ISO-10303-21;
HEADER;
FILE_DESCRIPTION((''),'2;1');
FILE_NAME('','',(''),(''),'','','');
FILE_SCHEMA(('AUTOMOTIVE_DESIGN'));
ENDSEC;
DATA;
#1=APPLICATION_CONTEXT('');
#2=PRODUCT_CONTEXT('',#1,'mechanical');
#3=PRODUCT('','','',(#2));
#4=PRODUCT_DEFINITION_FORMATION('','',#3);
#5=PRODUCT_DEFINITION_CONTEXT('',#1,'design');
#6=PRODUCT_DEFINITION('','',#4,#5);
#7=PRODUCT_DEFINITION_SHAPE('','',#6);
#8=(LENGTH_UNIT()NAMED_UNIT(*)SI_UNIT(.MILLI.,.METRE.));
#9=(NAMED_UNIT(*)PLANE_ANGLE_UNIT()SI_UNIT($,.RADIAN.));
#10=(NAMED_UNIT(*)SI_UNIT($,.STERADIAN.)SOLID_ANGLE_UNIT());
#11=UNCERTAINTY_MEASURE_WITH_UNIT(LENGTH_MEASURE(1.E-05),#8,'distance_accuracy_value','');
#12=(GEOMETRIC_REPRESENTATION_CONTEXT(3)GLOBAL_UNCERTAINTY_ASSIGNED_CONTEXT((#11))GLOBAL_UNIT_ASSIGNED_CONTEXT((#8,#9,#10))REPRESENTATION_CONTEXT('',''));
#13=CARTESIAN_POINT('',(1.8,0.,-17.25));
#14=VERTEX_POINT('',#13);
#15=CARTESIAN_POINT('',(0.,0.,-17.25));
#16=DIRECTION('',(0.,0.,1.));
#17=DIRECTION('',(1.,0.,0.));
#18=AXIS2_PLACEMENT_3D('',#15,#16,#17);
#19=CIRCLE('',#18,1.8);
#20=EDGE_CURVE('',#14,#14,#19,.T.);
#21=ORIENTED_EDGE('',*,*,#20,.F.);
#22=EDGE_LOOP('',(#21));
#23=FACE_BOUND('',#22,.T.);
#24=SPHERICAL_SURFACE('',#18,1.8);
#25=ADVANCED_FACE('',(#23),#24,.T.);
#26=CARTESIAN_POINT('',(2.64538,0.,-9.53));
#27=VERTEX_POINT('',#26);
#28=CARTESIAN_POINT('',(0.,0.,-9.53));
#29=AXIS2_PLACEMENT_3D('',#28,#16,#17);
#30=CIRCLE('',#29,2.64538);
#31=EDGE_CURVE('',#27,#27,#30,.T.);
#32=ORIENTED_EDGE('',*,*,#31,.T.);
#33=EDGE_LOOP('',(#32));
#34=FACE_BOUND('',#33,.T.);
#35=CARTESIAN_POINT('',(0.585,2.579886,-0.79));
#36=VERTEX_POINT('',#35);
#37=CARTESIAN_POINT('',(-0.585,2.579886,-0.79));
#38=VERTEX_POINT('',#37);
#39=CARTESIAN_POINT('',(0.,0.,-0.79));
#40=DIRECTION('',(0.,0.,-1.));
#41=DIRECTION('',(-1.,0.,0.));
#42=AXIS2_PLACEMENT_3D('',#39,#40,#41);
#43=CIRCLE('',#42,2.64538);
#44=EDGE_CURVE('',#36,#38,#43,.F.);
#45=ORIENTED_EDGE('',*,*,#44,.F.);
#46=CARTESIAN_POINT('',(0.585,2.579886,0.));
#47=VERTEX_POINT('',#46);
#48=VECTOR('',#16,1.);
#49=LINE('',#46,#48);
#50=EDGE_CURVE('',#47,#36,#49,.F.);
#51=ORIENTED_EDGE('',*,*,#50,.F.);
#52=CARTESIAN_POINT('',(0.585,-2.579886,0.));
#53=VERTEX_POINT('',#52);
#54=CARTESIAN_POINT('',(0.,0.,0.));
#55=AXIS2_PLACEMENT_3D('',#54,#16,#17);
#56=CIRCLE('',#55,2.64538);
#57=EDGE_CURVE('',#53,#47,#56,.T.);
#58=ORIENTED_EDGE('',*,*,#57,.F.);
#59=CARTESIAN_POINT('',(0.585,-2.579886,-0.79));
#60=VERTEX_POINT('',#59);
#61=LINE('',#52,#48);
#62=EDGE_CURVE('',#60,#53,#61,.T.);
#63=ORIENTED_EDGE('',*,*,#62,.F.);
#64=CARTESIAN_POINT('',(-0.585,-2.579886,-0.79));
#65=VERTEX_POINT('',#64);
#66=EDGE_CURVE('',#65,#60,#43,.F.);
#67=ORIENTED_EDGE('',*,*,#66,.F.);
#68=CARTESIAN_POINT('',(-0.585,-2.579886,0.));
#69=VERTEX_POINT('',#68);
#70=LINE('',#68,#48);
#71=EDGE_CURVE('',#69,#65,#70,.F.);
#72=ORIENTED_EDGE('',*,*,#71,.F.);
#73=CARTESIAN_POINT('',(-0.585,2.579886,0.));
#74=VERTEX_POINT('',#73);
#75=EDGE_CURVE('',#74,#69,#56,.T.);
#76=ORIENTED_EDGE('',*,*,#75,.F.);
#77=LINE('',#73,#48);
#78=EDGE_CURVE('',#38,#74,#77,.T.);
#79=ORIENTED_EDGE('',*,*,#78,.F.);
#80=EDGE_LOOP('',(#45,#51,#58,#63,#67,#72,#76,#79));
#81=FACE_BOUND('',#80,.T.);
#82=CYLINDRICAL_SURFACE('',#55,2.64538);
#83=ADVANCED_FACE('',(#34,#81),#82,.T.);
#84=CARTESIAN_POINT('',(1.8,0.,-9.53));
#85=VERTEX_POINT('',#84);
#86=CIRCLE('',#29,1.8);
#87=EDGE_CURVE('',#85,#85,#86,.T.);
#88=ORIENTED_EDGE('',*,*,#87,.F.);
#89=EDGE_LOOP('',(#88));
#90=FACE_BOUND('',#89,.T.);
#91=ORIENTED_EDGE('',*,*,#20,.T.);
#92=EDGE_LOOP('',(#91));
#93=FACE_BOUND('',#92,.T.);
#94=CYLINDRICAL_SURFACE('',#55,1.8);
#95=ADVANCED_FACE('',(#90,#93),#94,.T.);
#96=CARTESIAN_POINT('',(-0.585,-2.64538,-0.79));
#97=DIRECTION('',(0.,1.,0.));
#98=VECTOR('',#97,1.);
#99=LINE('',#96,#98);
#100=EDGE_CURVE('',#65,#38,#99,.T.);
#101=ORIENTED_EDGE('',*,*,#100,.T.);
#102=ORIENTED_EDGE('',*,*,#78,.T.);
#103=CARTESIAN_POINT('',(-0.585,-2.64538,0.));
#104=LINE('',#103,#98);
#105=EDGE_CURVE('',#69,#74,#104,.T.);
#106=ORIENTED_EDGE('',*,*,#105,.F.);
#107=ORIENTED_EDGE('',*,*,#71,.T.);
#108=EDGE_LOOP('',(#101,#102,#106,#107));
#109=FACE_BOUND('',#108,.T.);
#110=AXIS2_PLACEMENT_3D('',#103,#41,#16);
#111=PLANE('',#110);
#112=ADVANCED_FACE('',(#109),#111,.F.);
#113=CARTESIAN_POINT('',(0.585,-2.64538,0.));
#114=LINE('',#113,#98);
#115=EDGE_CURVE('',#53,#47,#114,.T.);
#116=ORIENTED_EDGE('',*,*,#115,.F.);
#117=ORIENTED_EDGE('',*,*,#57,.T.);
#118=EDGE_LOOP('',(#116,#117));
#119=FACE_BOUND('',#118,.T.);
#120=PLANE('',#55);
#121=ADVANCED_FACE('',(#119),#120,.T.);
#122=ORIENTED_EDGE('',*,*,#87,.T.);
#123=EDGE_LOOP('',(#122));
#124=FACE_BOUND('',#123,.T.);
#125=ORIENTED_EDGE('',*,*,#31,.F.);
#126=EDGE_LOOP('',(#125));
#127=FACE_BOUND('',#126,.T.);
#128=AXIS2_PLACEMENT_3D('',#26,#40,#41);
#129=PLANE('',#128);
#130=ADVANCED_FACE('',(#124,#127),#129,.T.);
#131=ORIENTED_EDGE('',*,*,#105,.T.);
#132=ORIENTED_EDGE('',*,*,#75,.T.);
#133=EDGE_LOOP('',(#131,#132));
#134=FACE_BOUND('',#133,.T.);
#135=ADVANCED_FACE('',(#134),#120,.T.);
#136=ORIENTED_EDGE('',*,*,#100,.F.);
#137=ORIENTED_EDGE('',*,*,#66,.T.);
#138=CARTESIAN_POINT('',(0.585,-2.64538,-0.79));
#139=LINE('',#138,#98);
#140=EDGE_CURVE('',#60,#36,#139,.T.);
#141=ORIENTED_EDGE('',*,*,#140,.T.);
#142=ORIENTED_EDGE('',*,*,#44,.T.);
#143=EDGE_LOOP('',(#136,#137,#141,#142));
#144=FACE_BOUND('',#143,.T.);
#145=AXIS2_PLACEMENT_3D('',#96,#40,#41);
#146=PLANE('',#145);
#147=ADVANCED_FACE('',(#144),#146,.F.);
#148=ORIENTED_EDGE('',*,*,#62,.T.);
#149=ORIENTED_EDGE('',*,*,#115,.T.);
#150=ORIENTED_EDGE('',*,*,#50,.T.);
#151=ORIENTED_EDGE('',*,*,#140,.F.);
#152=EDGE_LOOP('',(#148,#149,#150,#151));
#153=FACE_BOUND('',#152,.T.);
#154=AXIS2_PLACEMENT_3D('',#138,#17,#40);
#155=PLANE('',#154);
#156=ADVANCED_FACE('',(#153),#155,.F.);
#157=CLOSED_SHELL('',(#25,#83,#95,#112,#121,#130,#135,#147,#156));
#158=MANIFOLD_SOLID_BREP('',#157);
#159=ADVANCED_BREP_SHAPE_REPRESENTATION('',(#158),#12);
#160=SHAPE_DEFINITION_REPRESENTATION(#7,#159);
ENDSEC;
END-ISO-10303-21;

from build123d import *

# Parameters (mm, degrees)
CUT_EXTRUDE2_DEPTH      = 20.413875706
CUT_EXTRUDE2_DEPTH_BACK = 20.413875706
SKETCH2_W               = 1.17
SKETCH2_H               = 0.79


with BuildPart() as part:
    # Sketch1 → Revolve1 (revolve)
    with BuildSketch(Plane(origin=(0, 0, 0), x_dir=(1, 0, 0), z_dir=(0, 1, 0))):
        with BuildLine():
            Line((0, 0), (2.645379929, 0))
            Line((2.645379929, 0), (2.645379929, 9.53))
            Line((2.645379929, 9.53), (1.8, 9.53))
            Line((1.8, 9.53), (1.8, 17.25))
            ThreePointArc((1.8, 17.25), (1.272792206, 18.522792206), (0, 19.05))
            Line((0, 19.05), (0, 0))
        make_face()
    revolve(axis=Axis((0, 0, 0), (0, 0, -1)))

    # Sketch2 → Cut-Extrude2 (cut, two sides: drawn at the far end of the back side and taken through both)
    with BuildSketch(Plane(origin=(0, 0, 0), x_dir=(1, 0, 0), z_dir=(0, 1, 0)).offset(-CUT_EXTRUDE2_DEPTH_BACK)):
        with Locations((0, 0.395)):
            Rectangle(SKETCH2_W, SKETCH2_H)
    extrude(amount=CUT_EXTRUDE2_DEPTH + CUT_EXTRUDE2_DEPTH_BACK, mode=Mode.SUBTRACT)


solid = part.part
